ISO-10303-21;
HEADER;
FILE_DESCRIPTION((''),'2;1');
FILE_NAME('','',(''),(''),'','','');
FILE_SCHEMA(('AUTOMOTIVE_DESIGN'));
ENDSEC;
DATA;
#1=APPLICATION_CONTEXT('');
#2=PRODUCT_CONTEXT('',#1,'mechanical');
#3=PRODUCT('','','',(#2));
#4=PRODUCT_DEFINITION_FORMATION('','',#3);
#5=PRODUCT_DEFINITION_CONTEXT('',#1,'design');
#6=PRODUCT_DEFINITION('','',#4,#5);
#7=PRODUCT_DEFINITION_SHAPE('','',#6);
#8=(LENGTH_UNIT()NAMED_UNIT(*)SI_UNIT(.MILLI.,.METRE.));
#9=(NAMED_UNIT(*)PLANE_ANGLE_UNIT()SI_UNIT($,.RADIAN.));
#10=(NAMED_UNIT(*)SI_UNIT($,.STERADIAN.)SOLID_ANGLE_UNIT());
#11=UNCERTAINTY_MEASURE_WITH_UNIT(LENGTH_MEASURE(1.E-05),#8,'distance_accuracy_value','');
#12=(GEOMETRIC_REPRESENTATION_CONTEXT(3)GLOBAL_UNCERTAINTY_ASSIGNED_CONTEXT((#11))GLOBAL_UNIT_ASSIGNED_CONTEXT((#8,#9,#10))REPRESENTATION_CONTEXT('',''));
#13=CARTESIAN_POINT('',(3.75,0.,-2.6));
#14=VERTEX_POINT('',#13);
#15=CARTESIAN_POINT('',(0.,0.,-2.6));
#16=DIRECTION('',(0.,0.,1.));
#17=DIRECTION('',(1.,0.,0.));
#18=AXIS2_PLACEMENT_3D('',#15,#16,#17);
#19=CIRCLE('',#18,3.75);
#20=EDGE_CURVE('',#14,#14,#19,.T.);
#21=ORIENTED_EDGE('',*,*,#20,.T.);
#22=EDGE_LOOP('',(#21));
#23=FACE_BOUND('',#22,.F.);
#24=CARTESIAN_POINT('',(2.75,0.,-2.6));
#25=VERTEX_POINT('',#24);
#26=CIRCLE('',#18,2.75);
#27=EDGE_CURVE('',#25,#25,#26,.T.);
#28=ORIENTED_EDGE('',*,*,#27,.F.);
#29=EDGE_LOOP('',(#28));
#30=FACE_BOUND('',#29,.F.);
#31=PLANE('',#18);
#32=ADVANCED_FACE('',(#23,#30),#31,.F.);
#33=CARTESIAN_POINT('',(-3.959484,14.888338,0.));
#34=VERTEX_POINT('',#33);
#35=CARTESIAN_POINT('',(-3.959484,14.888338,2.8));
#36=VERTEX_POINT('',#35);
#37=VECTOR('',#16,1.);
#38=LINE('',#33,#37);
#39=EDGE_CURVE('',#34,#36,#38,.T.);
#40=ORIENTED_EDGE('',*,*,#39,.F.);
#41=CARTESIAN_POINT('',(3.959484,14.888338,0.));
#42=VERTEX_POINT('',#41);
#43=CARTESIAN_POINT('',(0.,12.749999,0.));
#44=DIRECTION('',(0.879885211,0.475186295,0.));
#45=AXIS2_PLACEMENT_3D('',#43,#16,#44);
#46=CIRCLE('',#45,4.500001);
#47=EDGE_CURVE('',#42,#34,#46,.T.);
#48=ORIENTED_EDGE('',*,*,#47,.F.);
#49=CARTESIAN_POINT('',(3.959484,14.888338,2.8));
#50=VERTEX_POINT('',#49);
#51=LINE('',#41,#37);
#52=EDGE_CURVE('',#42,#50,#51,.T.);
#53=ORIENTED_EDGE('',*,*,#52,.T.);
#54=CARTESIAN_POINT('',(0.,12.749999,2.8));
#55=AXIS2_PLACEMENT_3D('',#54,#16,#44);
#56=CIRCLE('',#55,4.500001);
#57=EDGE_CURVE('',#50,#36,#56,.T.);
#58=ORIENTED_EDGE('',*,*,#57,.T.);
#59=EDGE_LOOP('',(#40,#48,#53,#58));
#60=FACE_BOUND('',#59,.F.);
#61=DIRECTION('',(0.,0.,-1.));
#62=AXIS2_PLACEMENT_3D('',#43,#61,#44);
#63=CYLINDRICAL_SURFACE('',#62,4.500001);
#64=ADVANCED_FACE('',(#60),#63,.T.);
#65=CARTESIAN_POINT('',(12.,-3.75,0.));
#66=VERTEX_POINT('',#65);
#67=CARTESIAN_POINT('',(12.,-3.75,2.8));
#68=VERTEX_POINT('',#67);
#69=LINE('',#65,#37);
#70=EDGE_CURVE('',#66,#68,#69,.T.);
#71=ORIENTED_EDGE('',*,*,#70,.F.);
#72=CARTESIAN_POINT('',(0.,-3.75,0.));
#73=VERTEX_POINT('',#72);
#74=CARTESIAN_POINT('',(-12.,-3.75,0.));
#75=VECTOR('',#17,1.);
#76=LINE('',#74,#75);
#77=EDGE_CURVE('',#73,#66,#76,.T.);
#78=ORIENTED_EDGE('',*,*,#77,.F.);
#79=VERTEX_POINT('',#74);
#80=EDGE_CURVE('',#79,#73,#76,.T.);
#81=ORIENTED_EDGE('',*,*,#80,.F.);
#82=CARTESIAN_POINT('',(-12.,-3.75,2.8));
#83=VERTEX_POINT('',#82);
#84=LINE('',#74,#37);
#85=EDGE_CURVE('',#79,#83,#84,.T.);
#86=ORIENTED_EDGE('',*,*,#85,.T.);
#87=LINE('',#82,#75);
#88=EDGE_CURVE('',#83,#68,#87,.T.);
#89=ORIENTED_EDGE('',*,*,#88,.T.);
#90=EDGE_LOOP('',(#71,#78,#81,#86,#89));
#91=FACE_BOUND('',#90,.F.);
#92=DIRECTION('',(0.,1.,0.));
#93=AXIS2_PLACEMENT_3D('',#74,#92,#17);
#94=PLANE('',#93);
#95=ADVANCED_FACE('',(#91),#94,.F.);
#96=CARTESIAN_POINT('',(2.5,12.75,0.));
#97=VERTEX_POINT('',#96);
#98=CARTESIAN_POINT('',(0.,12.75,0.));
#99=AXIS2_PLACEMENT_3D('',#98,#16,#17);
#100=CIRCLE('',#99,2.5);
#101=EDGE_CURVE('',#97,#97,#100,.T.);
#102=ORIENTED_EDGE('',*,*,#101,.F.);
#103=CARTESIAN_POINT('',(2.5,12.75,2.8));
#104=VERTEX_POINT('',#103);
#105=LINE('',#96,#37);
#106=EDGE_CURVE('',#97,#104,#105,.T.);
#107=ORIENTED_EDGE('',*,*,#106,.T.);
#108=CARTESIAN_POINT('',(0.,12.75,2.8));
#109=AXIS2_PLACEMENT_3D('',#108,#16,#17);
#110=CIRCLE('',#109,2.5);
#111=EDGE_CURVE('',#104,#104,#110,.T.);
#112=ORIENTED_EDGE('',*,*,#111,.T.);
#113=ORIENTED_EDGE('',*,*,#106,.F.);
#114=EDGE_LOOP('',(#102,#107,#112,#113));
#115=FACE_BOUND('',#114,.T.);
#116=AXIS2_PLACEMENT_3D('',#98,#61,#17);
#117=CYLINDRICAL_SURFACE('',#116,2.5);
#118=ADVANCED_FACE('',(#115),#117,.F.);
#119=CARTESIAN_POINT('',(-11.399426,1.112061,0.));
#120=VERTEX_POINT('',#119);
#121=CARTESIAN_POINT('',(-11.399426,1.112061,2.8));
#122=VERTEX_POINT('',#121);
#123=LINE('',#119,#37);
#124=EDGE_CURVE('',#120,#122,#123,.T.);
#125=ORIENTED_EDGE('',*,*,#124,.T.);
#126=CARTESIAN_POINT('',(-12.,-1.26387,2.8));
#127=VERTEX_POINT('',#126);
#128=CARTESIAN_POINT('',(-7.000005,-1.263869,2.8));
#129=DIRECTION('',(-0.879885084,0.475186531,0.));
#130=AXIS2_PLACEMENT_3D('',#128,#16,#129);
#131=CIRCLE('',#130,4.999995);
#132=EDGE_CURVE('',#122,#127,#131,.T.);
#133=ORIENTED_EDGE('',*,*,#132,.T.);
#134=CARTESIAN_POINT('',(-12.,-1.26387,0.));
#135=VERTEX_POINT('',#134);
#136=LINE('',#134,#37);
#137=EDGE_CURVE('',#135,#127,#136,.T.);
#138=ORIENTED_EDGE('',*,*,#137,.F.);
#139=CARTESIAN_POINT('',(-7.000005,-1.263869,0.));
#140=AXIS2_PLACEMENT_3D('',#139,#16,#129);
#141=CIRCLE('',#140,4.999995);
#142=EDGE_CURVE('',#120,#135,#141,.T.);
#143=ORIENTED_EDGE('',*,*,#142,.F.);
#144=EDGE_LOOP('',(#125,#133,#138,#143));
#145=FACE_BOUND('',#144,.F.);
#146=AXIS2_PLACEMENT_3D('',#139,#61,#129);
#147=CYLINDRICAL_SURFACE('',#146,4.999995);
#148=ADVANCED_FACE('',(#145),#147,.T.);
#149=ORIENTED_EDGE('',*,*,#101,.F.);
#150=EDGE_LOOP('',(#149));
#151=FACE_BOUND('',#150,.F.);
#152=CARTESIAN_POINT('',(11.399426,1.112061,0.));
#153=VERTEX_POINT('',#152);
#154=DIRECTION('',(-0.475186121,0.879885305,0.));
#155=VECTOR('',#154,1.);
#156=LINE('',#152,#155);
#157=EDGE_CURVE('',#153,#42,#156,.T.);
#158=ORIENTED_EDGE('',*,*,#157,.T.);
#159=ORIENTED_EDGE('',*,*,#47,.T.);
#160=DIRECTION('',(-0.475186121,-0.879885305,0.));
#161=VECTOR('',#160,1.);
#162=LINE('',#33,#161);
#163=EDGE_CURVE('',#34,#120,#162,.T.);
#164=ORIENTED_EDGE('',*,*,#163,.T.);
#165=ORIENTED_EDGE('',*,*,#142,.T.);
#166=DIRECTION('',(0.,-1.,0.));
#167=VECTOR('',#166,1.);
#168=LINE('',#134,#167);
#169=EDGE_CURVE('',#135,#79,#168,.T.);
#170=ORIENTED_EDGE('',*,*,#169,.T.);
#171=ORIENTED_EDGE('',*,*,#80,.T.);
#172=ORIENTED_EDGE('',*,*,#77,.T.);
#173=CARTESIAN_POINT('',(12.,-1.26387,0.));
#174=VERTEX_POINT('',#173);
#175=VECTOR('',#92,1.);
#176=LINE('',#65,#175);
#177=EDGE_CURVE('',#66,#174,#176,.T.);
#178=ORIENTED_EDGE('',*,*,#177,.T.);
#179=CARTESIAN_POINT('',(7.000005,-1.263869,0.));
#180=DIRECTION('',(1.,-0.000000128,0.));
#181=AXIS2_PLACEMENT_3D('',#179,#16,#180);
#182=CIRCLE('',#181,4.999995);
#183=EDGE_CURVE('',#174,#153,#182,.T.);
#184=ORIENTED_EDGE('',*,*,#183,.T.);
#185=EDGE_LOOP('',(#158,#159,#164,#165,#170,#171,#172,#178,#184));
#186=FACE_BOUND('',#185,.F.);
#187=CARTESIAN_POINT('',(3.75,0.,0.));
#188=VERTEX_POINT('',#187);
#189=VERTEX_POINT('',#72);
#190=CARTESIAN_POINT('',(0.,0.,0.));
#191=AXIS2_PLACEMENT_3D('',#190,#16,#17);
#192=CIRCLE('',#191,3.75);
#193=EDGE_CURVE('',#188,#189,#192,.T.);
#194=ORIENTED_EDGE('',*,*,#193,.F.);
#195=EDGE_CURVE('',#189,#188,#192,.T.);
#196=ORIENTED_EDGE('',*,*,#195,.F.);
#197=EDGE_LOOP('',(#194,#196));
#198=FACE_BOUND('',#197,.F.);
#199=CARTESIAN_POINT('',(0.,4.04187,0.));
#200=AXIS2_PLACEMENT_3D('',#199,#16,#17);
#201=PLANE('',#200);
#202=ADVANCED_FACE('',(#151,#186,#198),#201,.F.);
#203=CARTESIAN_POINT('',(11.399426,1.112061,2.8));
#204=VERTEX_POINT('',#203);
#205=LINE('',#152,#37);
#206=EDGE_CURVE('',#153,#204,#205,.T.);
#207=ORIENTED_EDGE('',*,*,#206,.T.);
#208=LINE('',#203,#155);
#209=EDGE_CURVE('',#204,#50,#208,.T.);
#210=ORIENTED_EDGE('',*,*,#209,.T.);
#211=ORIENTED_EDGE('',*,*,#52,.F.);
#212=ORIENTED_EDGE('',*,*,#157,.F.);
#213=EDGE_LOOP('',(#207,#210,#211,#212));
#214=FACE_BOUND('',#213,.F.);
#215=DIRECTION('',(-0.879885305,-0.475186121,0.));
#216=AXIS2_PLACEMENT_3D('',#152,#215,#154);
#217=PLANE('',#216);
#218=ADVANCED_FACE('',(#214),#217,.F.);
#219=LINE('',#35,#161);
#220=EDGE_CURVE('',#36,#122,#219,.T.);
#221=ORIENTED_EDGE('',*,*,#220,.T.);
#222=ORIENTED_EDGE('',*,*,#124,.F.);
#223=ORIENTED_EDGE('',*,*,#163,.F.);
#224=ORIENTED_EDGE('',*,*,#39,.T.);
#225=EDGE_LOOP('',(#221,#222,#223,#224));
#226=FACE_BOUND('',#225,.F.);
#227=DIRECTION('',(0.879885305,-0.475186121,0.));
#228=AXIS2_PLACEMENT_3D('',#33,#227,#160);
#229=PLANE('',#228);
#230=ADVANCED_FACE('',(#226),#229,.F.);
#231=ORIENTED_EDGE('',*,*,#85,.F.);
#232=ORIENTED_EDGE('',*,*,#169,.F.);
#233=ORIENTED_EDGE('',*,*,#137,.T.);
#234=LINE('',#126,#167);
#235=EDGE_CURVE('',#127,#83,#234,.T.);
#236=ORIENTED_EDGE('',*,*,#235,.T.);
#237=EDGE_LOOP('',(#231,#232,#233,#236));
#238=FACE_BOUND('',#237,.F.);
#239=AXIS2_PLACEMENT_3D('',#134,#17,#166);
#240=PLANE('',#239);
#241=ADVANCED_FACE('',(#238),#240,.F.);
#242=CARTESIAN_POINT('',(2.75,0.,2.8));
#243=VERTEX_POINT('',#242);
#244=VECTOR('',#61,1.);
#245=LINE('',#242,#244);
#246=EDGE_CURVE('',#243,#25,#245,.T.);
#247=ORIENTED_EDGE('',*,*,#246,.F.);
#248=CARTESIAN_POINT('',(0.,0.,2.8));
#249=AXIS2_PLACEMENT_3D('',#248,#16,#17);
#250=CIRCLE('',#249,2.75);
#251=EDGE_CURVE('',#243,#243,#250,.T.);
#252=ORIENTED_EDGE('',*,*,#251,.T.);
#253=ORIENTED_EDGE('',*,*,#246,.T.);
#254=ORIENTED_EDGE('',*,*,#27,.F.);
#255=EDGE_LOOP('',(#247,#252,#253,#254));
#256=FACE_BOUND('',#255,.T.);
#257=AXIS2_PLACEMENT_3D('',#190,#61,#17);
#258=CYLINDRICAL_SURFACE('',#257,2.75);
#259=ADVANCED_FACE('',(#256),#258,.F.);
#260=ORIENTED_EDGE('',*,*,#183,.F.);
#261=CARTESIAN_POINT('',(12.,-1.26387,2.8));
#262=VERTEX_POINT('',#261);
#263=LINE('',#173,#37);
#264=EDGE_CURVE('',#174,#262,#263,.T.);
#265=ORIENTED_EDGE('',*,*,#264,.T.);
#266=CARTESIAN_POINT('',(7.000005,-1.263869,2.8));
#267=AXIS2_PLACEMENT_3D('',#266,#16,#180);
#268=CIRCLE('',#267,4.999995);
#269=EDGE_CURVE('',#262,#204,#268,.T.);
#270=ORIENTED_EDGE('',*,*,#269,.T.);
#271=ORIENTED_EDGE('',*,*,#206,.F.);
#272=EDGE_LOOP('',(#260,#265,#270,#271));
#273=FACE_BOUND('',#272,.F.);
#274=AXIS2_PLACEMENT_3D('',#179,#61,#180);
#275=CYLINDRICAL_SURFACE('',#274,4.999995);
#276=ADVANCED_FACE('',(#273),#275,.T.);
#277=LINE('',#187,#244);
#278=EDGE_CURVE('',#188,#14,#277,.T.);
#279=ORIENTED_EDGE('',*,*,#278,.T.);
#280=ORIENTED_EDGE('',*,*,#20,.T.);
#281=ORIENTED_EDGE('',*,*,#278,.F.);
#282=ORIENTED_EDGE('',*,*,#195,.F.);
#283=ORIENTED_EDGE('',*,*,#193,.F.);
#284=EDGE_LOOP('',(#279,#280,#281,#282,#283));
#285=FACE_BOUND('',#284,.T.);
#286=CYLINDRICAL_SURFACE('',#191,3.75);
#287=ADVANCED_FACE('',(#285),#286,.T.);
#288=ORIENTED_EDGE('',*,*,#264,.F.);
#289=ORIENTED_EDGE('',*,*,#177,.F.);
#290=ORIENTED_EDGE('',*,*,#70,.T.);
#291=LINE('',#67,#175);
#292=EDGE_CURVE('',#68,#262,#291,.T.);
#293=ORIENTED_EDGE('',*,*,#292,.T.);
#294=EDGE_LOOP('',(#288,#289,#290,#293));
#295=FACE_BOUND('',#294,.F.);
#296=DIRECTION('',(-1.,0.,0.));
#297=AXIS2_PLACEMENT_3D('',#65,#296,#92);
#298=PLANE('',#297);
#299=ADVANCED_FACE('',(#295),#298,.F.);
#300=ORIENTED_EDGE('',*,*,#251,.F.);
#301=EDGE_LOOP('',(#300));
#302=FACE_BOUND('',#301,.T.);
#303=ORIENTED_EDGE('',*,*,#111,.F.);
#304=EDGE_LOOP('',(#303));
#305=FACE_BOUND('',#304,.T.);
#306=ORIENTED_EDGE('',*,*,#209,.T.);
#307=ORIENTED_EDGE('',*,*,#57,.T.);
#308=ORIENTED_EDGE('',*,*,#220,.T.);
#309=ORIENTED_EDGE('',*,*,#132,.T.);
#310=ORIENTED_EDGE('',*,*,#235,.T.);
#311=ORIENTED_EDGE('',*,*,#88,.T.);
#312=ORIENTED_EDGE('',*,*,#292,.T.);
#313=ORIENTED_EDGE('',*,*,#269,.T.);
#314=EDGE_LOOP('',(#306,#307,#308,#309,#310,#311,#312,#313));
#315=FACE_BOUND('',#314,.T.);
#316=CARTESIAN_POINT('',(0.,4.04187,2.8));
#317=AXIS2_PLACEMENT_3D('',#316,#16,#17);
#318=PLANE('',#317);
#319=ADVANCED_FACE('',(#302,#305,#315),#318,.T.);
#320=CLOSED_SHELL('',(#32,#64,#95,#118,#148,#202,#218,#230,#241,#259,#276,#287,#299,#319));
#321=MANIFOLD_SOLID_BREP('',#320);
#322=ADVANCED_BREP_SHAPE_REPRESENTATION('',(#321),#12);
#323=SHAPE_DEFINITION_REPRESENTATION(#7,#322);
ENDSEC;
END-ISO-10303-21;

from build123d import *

# Parameters (mm, degrees)
F0_R     = 3.75
F0_R_2   = 2.75
F1_DEPTH = 2.6
F2_R     = 2.75
F2_R_2   = 2.5
F3_DEPTH = 2.8


with BuildPart() as f1:
    # F0 (on Top) → F1 (new body)
    with BuildSketch(Plane.XY):
        Circle(F0_R)
        Circle(F0_R_2, mode=Mode.SUBTRACT)
    extrude(amount=-F1_DEPTH)

    # F2 (on Top) → F3 (join)
    with BuildSketch(Plane.XY):
        with BuildLine():
            Line((-12, -3.75), (12, -3.75))
            Line((12, -3.75), (12, -1.26387))
            ThreePointArc((12, -1.26387), (11.847532, -0.03854), (11.399426, 1.112061))
            Line((11.399426, 1.112061), (3.959484, 14.888338))
            ThreePointArc((3.959484, 14.888338), (0, 17.25), (-3.959484, 14.888338))
            Line((-3.959484, 14.888338), (-11.399426, 1.112061))
            ThreePointArc((-11.399426, 1.112061), (-11.847532, -0.03854), (-12, -1.26387))
            Line((-12, -1.26387), (-12, -3.75))
        make_face()
        Circle(F2_R, mode=Mode.SUBTRACT)
        with Locations((0, 12.75)):
            Circle(F2_R_2, mode=Mode.SUBTRACT)
    extrude(amount=F3_DEPTH)


solid = f1.part
